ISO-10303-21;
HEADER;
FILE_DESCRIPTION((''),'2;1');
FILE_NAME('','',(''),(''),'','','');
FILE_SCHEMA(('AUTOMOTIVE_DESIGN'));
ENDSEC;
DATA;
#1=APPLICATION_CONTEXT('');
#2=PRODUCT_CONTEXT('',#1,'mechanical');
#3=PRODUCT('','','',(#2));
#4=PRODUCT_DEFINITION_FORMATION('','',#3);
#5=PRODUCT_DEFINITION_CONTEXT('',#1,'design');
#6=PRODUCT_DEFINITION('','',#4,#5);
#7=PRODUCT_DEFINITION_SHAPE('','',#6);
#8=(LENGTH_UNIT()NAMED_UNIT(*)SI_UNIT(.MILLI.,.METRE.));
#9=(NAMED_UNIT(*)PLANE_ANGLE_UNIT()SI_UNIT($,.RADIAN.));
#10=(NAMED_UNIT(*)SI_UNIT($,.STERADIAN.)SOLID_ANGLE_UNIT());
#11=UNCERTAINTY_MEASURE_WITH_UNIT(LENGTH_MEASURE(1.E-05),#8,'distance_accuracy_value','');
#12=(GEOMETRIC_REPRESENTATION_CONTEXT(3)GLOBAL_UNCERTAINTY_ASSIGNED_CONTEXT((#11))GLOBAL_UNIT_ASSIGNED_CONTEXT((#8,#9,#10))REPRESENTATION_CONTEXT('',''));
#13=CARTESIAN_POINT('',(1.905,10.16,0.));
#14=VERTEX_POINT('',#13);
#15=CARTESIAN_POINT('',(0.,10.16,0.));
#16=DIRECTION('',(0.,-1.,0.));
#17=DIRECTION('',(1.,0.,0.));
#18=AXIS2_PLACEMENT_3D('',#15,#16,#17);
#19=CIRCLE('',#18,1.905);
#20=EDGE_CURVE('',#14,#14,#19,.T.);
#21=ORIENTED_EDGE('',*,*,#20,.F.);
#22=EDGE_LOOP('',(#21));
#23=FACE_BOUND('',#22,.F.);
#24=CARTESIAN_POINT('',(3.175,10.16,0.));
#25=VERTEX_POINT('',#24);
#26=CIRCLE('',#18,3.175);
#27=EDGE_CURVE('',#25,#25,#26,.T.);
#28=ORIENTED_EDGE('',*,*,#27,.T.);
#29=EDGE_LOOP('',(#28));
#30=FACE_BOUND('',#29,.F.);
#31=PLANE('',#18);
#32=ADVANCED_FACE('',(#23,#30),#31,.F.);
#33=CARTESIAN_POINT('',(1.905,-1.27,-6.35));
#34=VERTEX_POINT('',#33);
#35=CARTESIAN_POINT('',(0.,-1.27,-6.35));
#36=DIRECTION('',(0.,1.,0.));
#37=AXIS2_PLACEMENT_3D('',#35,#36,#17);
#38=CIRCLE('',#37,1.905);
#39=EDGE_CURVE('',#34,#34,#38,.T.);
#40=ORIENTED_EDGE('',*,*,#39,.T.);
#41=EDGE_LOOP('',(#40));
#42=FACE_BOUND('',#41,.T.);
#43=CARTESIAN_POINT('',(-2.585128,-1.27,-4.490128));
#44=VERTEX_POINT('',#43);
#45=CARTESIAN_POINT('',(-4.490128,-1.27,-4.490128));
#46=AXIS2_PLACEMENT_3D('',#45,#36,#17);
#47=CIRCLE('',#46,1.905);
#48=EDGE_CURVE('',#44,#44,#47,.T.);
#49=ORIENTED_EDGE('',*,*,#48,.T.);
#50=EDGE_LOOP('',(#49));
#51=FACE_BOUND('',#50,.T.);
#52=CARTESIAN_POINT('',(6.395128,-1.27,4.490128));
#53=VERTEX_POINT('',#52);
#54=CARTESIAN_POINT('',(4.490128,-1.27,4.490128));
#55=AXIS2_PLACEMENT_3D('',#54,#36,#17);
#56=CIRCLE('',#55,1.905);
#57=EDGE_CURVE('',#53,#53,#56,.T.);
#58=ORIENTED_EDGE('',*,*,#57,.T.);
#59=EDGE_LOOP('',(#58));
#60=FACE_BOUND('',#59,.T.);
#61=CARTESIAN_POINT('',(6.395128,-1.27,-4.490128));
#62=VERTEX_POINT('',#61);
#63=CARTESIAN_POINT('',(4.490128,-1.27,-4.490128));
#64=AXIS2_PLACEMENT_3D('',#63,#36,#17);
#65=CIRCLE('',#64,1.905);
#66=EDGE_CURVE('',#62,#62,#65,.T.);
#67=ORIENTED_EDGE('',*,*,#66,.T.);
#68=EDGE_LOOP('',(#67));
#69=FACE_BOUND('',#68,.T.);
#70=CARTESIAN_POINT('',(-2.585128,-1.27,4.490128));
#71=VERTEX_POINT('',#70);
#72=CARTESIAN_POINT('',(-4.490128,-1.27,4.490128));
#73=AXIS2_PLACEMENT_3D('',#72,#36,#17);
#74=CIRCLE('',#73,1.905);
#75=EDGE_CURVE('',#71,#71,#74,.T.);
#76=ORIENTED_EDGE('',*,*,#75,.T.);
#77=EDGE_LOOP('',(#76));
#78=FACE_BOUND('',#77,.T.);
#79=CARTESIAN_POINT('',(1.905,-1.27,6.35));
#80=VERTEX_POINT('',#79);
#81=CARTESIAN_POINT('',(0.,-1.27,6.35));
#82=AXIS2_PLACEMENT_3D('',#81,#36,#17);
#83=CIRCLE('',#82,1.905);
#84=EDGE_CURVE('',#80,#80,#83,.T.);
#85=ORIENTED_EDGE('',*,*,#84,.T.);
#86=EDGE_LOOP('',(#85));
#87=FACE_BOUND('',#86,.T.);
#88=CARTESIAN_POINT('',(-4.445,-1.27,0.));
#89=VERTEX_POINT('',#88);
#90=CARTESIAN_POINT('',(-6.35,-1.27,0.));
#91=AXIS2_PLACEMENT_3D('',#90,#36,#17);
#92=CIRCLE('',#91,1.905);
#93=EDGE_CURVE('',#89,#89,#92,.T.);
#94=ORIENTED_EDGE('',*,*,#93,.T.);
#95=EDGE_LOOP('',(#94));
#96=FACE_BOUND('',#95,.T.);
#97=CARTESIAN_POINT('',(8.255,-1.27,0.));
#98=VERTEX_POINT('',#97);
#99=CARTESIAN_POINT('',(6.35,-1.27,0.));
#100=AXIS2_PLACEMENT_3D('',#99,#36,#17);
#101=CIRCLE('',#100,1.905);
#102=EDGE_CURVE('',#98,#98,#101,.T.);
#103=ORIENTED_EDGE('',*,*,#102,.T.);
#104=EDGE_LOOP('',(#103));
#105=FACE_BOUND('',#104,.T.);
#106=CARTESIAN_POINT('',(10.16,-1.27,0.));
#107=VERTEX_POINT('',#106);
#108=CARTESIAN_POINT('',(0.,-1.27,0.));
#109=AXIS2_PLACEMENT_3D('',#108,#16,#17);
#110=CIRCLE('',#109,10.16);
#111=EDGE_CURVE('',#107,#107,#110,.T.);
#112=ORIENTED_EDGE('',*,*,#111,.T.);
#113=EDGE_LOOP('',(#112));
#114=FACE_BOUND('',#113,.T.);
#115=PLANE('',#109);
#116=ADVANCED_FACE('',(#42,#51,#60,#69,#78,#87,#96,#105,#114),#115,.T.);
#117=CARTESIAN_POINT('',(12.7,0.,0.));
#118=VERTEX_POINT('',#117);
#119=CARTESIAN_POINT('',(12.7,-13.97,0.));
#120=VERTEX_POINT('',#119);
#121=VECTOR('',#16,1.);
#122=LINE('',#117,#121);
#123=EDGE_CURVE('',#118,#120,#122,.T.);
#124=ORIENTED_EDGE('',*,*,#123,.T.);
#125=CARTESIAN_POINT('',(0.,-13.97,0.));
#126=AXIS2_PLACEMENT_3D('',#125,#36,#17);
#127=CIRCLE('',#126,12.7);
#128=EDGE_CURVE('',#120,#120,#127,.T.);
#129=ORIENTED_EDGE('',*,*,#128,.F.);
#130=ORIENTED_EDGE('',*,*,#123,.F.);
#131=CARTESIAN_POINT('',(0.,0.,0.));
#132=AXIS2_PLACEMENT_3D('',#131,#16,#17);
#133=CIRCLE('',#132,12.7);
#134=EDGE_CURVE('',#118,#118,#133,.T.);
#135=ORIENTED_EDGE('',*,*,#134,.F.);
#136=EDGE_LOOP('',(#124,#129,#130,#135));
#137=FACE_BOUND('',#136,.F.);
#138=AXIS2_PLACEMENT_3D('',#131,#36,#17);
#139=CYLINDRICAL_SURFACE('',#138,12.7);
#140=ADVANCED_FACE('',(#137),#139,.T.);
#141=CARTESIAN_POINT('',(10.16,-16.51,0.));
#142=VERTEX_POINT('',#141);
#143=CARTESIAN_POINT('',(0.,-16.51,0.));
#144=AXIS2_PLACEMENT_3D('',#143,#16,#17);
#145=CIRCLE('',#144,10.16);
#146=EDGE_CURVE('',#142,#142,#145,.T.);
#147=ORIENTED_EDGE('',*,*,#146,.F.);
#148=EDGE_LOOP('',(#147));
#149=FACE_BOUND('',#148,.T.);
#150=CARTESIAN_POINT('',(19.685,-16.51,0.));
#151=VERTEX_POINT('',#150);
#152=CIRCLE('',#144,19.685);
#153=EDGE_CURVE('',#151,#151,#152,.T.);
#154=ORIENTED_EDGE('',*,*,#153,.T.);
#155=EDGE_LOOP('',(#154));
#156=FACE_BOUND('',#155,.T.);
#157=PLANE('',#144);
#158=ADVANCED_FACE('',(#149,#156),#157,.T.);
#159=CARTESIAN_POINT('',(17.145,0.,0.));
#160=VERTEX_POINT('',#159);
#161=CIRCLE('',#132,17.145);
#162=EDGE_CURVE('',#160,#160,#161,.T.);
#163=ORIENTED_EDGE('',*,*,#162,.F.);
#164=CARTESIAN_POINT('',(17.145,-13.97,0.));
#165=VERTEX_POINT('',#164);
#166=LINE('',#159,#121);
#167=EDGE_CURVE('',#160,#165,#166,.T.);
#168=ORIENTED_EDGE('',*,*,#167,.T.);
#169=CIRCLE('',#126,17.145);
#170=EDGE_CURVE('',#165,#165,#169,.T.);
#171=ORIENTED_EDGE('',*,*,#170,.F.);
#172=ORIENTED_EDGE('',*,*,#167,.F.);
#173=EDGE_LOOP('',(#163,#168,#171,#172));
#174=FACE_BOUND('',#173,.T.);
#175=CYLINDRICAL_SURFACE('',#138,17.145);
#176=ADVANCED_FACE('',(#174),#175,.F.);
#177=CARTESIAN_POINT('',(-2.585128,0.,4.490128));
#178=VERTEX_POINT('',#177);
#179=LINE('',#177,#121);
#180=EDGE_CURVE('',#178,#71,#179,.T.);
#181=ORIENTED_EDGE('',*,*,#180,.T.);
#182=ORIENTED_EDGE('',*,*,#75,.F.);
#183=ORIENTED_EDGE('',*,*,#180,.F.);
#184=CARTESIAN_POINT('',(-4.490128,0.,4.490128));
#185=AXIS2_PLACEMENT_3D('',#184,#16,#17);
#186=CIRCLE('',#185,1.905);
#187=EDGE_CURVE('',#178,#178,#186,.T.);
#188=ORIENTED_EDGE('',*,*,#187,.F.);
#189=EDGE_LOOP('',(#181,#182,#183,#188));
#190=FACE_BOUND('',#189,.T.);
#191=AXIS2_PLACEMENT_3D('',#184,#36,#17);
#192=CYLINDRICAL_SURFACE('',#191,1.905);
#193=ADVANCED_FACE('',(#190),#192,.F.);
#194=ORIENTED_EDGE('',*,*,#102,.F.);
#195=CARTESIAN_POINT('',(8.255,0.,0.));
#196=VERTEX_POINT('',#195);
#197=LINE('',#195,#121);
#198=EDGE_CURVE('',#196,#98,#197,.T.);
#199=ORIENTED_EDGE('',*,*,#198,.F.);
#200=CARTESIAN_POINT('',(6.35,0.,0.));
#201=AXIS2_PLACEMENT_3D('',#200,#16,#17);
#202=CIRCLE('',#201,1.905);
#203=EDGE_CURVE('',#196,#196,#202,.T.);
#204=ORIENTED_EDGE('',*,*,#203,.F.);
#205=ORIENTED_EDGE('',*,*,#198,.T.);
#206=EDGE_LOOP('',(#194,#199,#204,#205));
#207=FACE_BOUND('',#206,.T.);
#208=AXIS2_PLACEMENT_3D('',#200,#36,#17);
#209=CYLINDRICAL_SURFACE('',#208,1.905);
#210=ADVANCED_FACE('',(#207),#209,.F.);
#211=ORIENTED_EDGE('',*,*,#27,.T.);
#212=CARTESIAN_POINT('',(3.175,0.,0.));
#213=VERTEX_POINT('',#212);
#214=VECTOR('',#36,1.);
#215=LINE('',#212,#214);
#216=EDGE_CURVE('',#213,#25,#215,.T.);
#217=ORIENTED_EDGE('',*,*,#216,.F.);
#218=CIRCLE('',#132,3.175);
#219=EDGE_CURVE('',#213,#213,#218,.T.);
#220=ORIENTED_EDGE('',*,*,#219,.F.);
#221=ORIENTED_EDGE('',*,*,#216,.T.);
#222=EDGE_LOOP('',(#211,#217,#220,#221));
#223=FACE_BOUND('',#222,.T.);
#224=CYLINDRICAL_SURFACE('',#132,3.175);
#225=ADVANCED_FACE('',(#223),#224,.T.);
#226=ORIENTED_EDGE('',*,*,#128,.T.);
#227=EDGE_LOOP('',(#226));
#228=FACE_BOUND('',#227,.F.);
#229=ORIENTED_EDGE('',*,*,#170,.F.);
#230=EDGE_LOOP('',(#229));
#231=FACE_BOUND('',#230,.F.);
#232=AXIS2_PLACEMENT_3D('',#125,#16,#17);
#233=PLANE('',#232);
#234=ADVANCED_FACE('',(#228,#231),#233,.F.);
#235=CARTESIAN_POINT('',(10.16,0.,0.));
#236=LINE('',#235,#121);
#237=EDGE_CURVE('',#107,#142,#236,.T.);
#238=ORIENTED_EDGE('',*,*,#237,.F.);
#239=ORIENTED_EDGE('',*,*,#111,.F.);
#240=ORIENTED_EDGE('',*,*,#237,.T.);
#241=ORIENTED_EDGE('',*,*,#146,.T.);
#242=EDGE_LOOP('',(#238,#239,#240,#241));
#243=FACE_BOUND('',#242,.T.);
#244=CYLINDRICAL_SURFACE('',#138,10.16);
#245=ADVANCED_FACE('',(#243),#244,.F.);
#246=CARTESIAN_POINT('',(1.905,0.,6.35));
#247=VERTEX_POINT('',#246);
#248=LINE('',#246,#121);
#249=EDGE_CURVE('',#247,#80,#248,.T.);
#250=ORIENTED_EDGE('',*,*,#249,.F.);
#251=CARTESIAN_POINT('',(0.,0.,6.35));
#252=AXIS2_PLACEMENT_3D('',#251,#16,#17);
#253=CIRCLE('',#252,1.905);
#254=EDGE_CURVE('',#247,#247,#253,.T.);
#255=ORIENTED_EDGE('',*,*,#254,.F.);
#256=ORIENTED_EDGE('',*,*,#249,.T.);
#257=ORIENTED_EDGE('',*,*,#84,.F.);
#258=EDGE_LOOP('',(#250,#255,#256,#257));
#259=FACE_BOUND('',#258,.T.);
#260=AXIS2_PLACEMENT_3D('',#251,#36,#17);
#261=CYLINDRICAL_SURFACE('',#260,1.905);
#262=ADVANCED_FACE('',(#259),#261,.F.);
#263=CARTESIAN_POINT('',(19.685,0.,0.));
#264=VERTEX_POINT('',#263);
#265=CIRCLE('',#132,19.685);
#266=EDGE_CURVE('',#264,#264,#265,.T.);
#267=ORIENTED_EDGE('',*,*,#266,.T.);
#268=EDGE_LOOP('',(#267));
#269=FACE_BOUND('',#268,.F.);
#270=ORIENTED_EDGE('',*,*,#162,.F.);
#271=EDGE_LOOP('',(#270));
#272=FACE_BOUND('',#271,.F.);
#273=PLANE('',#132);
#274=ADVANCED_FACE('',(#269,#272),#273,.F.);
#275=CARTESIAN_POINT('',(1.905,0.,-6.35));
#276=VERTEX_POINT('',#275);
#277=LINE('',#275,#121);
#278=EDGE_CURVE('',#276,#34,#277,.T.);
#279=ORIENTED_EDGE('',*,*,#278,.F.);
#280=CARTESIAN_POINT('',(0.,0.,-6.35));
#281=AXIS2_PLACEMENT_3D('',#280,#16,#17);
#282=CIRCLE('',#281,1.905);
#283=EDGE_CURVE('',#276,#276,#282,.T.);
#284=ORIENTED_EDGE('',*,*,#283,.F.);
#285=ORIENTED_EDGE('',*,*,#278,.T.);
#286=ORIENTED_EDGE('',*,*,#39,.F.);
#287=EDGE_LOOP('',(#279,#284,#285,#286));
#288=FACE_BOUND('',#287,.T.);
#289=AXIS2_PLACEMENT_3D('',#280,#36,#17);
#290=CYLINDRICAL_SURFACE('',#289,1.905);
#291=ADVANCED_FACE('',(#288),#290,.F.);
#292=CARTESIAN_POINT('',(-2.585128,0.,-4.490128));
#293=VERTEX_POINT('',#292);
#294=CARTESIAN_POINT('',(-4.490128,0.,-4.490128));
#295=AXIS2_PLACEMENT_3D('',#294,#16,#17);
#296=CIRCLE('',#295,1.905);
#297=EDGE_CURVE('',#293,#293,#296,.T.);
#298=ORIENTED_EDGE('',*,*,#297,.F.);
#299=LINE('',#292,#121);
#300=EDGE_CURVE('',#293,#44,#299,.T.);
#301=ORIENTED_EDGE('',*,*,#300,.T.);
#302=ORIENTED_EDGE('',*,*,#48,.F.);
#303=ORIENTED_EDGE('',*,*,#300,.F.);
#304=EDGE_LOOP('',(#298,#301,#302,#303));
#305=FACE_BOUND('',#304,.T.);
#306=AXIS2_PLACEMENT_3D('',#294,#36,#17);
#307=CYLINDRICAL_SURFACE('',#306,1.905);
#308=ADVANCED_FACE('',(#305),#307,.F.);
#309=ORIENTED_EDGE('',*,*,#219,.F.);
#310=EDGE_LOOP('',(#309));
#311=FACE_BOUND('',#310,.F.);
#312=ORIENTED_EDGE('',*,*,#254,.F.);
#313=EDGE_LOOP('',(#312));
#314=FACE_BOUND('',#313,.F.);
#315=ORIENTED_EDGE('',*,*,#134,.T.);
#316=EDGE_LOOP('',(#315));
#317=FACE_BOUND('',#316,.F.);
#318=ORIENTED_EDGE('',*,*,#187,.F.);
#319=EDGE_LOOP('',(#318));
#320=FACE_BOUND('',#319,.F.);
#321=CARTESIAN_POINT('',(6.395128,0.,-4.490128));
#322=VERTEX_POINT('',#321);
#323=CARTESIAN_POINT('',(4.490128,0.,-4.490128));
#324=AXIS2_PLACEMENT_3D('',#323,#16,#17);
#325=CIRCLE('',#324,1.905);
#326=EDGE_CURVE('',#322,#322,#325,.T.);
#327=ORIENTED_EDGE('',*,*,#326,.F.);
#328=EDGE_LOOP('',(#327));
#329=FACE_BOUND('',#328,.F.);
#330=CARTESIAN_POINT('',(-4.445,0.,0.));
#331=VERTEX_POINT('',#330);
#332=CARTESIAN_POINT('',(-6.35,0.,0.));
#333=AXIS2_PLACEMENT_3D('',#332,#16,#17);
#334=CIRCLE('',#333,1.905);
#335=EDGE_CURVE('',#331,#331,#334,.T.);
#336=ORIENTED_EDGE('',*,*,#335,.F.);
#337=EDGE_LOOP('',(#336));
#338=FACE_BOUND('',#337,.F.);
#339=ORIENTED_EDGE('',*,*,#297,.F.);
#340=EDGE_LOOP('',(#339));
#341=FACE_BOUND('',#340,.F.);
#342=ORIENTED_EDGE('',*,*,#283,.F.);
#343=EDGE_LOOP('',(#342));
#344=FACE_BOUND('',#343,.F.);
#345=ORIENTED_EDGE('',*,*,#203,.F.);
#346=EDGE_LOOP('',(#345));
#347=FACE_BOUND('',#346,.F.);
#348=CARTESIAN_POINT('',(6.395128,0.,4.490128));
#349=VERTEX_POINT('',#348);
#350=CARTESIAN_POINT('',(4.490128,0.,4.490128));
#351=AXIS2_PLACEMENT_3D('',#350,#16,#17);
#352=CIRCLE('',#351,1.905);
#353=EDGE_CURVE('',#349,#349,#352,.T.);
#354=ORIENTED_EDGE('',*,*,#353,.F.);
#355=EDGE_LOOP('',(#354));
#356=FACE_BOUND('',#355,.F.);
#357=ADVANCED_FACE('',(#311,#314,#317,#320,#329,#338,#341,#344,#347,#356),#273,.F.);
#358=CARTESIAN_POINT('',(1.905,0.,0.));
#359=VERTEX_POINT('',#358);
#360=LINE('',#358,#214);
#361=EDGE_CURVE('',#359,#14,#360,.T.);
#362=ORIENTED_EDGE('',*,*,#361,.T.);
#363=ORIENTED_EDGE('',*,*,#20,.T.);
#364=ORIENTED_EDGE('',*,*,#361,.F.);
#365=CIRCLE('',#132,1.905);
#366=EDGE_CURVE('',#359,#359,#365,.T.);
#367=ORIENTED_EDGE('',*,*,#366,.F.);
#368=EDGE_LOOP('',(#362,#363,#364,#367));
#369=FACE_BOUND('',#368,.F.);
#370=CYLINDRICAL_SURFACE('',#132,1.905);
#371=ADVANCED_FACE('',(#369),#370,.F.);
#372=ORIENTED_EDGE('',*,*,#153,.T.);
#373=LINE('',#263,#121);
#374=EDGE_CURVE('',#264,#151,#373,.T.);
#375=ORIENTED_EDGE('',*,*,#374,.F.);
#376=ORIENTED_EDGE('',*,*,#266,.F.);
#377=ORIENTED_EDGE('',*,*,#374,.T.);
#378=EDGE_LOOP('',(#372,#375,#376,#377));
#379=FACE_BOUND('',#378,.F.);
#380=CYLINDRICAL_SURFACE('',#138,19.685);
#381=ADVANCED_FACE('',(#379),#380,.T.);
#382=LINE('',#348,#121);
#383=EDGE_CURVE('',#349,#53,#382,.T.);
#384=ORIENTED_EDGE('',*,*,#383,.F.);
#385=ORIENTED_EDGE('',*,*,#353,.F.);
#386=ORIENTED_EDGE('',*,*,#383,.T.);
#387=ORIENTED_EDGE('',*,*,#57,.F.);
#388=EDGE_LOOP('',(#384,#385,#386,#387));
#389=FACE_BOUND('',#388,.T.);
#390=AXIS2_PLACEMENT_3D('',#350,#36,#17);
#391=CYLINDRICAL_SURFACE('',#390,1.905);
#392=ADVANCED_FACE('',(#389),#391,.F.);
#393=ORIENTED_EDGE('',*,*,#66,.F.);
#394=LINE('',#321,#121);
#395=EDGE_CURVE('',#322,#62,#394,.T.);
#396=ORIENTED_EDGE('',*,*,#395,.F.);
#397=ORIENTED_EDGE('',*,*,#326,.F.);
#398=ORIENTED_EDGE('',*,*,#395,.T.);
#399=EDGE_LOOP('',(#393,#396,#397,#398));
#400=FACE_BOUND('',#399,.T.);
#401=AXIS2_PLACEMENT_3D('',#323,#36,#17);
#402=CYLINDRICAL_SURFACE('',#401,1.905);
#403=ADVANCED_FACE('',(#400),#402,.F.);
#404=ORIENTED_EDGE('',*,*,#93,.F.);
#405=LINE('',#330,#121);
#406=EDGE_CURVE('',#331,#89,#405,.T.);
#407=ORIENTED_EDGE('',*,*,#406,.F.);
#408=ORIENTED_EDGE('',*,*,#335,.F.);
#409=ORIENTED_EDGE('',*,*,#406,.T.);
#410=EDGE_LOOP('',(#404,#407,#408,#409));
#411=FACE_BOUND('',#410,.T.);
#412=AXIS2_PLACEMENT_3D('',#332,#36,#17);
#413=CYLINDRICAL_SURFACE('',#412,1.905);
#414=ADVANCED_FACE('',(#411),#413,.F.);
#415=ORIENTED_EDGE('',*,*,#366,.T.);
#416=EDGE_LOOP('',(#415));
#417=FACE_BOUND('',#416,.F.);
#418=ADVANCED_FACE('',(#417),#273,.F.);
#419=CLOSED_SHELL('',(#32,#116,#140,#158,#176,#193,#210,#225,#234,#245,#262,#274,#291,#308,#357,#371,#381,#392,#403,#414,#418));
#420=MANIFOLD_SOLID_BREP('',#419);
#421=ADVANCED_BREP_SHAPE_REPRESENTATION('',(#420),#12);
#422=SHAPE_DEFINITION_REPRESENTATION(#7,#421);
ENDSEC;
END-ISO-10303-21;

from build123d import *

# Parameters (mm, degrees)
F0_R     = 19.685
F0_R_2   = 10.16
F1_DEPTH = 16.51
F3_T     = -2.54
F2_R     = 10.16
F4_DEPTH = 1.27
F0_R_3   = 1.905
F5_DEPTH = 25.4
F0_R_4   = 3.175
F6_DEPTH = 10.16


with BuildPart() as f1:
    # F0 (on Front) → F1 (new body)
    with BuildSketch(Plane.XZ):
        Circle(F0_R)
        Circle(F0_R_2, mode=Mode.SUBTRACT)
    extrude(amount=F1_DEPTH)

    # F3
    f3_openings = [f1.faces().sort_by_distance(p)[0] for p in [
        (-19.128224, 0, 0),
    ]]
    offset(amount=F3_T, openings=f3_openings)

    # F2 (on face) → F4 (join)
    with BuildSketch(Plane.XZ):
        Circle(F2_R)
    extrude(amount=F4_DEPTH)

    # F0 (on Front) → F5 (cut)
    with BuildSketch(Plane.XZ):
        with Locations((4.490128, 4.490128)):
            Circle(F0_R_3)
        with Locations((6.35, 0)):
            Circle(F0_R_3)
        with Locations((4.490128, -4.490128)):
            Circle(F0_R_3)
        with Locations((0, -6.35)):
            Circle(F0_R_3)
        with Locations((-4.490128, -4.490128)):
            Circle(F0_R_3)
        with Locations((-6.35, 0)):
            Circle(F0_R_3)
        with Locations((-4.490128, 4.490128)):
            Circle(F0_R_3)
        with Locations((0, 6.35)):
            Circle(F0_R_3)
    extrude(amount=F5_DEPTH, mode=Mode.SUBTRACT)

    # F0 (on Front) → F6 (join)
    with BuildSketch(Plane.XZ):
        Circle(F0_R_4)
        Circle(F0_R_3, mode=Mode.SUBTRACT)
    extrude(amount=-F6_DEPTH)


solid = f1.part
